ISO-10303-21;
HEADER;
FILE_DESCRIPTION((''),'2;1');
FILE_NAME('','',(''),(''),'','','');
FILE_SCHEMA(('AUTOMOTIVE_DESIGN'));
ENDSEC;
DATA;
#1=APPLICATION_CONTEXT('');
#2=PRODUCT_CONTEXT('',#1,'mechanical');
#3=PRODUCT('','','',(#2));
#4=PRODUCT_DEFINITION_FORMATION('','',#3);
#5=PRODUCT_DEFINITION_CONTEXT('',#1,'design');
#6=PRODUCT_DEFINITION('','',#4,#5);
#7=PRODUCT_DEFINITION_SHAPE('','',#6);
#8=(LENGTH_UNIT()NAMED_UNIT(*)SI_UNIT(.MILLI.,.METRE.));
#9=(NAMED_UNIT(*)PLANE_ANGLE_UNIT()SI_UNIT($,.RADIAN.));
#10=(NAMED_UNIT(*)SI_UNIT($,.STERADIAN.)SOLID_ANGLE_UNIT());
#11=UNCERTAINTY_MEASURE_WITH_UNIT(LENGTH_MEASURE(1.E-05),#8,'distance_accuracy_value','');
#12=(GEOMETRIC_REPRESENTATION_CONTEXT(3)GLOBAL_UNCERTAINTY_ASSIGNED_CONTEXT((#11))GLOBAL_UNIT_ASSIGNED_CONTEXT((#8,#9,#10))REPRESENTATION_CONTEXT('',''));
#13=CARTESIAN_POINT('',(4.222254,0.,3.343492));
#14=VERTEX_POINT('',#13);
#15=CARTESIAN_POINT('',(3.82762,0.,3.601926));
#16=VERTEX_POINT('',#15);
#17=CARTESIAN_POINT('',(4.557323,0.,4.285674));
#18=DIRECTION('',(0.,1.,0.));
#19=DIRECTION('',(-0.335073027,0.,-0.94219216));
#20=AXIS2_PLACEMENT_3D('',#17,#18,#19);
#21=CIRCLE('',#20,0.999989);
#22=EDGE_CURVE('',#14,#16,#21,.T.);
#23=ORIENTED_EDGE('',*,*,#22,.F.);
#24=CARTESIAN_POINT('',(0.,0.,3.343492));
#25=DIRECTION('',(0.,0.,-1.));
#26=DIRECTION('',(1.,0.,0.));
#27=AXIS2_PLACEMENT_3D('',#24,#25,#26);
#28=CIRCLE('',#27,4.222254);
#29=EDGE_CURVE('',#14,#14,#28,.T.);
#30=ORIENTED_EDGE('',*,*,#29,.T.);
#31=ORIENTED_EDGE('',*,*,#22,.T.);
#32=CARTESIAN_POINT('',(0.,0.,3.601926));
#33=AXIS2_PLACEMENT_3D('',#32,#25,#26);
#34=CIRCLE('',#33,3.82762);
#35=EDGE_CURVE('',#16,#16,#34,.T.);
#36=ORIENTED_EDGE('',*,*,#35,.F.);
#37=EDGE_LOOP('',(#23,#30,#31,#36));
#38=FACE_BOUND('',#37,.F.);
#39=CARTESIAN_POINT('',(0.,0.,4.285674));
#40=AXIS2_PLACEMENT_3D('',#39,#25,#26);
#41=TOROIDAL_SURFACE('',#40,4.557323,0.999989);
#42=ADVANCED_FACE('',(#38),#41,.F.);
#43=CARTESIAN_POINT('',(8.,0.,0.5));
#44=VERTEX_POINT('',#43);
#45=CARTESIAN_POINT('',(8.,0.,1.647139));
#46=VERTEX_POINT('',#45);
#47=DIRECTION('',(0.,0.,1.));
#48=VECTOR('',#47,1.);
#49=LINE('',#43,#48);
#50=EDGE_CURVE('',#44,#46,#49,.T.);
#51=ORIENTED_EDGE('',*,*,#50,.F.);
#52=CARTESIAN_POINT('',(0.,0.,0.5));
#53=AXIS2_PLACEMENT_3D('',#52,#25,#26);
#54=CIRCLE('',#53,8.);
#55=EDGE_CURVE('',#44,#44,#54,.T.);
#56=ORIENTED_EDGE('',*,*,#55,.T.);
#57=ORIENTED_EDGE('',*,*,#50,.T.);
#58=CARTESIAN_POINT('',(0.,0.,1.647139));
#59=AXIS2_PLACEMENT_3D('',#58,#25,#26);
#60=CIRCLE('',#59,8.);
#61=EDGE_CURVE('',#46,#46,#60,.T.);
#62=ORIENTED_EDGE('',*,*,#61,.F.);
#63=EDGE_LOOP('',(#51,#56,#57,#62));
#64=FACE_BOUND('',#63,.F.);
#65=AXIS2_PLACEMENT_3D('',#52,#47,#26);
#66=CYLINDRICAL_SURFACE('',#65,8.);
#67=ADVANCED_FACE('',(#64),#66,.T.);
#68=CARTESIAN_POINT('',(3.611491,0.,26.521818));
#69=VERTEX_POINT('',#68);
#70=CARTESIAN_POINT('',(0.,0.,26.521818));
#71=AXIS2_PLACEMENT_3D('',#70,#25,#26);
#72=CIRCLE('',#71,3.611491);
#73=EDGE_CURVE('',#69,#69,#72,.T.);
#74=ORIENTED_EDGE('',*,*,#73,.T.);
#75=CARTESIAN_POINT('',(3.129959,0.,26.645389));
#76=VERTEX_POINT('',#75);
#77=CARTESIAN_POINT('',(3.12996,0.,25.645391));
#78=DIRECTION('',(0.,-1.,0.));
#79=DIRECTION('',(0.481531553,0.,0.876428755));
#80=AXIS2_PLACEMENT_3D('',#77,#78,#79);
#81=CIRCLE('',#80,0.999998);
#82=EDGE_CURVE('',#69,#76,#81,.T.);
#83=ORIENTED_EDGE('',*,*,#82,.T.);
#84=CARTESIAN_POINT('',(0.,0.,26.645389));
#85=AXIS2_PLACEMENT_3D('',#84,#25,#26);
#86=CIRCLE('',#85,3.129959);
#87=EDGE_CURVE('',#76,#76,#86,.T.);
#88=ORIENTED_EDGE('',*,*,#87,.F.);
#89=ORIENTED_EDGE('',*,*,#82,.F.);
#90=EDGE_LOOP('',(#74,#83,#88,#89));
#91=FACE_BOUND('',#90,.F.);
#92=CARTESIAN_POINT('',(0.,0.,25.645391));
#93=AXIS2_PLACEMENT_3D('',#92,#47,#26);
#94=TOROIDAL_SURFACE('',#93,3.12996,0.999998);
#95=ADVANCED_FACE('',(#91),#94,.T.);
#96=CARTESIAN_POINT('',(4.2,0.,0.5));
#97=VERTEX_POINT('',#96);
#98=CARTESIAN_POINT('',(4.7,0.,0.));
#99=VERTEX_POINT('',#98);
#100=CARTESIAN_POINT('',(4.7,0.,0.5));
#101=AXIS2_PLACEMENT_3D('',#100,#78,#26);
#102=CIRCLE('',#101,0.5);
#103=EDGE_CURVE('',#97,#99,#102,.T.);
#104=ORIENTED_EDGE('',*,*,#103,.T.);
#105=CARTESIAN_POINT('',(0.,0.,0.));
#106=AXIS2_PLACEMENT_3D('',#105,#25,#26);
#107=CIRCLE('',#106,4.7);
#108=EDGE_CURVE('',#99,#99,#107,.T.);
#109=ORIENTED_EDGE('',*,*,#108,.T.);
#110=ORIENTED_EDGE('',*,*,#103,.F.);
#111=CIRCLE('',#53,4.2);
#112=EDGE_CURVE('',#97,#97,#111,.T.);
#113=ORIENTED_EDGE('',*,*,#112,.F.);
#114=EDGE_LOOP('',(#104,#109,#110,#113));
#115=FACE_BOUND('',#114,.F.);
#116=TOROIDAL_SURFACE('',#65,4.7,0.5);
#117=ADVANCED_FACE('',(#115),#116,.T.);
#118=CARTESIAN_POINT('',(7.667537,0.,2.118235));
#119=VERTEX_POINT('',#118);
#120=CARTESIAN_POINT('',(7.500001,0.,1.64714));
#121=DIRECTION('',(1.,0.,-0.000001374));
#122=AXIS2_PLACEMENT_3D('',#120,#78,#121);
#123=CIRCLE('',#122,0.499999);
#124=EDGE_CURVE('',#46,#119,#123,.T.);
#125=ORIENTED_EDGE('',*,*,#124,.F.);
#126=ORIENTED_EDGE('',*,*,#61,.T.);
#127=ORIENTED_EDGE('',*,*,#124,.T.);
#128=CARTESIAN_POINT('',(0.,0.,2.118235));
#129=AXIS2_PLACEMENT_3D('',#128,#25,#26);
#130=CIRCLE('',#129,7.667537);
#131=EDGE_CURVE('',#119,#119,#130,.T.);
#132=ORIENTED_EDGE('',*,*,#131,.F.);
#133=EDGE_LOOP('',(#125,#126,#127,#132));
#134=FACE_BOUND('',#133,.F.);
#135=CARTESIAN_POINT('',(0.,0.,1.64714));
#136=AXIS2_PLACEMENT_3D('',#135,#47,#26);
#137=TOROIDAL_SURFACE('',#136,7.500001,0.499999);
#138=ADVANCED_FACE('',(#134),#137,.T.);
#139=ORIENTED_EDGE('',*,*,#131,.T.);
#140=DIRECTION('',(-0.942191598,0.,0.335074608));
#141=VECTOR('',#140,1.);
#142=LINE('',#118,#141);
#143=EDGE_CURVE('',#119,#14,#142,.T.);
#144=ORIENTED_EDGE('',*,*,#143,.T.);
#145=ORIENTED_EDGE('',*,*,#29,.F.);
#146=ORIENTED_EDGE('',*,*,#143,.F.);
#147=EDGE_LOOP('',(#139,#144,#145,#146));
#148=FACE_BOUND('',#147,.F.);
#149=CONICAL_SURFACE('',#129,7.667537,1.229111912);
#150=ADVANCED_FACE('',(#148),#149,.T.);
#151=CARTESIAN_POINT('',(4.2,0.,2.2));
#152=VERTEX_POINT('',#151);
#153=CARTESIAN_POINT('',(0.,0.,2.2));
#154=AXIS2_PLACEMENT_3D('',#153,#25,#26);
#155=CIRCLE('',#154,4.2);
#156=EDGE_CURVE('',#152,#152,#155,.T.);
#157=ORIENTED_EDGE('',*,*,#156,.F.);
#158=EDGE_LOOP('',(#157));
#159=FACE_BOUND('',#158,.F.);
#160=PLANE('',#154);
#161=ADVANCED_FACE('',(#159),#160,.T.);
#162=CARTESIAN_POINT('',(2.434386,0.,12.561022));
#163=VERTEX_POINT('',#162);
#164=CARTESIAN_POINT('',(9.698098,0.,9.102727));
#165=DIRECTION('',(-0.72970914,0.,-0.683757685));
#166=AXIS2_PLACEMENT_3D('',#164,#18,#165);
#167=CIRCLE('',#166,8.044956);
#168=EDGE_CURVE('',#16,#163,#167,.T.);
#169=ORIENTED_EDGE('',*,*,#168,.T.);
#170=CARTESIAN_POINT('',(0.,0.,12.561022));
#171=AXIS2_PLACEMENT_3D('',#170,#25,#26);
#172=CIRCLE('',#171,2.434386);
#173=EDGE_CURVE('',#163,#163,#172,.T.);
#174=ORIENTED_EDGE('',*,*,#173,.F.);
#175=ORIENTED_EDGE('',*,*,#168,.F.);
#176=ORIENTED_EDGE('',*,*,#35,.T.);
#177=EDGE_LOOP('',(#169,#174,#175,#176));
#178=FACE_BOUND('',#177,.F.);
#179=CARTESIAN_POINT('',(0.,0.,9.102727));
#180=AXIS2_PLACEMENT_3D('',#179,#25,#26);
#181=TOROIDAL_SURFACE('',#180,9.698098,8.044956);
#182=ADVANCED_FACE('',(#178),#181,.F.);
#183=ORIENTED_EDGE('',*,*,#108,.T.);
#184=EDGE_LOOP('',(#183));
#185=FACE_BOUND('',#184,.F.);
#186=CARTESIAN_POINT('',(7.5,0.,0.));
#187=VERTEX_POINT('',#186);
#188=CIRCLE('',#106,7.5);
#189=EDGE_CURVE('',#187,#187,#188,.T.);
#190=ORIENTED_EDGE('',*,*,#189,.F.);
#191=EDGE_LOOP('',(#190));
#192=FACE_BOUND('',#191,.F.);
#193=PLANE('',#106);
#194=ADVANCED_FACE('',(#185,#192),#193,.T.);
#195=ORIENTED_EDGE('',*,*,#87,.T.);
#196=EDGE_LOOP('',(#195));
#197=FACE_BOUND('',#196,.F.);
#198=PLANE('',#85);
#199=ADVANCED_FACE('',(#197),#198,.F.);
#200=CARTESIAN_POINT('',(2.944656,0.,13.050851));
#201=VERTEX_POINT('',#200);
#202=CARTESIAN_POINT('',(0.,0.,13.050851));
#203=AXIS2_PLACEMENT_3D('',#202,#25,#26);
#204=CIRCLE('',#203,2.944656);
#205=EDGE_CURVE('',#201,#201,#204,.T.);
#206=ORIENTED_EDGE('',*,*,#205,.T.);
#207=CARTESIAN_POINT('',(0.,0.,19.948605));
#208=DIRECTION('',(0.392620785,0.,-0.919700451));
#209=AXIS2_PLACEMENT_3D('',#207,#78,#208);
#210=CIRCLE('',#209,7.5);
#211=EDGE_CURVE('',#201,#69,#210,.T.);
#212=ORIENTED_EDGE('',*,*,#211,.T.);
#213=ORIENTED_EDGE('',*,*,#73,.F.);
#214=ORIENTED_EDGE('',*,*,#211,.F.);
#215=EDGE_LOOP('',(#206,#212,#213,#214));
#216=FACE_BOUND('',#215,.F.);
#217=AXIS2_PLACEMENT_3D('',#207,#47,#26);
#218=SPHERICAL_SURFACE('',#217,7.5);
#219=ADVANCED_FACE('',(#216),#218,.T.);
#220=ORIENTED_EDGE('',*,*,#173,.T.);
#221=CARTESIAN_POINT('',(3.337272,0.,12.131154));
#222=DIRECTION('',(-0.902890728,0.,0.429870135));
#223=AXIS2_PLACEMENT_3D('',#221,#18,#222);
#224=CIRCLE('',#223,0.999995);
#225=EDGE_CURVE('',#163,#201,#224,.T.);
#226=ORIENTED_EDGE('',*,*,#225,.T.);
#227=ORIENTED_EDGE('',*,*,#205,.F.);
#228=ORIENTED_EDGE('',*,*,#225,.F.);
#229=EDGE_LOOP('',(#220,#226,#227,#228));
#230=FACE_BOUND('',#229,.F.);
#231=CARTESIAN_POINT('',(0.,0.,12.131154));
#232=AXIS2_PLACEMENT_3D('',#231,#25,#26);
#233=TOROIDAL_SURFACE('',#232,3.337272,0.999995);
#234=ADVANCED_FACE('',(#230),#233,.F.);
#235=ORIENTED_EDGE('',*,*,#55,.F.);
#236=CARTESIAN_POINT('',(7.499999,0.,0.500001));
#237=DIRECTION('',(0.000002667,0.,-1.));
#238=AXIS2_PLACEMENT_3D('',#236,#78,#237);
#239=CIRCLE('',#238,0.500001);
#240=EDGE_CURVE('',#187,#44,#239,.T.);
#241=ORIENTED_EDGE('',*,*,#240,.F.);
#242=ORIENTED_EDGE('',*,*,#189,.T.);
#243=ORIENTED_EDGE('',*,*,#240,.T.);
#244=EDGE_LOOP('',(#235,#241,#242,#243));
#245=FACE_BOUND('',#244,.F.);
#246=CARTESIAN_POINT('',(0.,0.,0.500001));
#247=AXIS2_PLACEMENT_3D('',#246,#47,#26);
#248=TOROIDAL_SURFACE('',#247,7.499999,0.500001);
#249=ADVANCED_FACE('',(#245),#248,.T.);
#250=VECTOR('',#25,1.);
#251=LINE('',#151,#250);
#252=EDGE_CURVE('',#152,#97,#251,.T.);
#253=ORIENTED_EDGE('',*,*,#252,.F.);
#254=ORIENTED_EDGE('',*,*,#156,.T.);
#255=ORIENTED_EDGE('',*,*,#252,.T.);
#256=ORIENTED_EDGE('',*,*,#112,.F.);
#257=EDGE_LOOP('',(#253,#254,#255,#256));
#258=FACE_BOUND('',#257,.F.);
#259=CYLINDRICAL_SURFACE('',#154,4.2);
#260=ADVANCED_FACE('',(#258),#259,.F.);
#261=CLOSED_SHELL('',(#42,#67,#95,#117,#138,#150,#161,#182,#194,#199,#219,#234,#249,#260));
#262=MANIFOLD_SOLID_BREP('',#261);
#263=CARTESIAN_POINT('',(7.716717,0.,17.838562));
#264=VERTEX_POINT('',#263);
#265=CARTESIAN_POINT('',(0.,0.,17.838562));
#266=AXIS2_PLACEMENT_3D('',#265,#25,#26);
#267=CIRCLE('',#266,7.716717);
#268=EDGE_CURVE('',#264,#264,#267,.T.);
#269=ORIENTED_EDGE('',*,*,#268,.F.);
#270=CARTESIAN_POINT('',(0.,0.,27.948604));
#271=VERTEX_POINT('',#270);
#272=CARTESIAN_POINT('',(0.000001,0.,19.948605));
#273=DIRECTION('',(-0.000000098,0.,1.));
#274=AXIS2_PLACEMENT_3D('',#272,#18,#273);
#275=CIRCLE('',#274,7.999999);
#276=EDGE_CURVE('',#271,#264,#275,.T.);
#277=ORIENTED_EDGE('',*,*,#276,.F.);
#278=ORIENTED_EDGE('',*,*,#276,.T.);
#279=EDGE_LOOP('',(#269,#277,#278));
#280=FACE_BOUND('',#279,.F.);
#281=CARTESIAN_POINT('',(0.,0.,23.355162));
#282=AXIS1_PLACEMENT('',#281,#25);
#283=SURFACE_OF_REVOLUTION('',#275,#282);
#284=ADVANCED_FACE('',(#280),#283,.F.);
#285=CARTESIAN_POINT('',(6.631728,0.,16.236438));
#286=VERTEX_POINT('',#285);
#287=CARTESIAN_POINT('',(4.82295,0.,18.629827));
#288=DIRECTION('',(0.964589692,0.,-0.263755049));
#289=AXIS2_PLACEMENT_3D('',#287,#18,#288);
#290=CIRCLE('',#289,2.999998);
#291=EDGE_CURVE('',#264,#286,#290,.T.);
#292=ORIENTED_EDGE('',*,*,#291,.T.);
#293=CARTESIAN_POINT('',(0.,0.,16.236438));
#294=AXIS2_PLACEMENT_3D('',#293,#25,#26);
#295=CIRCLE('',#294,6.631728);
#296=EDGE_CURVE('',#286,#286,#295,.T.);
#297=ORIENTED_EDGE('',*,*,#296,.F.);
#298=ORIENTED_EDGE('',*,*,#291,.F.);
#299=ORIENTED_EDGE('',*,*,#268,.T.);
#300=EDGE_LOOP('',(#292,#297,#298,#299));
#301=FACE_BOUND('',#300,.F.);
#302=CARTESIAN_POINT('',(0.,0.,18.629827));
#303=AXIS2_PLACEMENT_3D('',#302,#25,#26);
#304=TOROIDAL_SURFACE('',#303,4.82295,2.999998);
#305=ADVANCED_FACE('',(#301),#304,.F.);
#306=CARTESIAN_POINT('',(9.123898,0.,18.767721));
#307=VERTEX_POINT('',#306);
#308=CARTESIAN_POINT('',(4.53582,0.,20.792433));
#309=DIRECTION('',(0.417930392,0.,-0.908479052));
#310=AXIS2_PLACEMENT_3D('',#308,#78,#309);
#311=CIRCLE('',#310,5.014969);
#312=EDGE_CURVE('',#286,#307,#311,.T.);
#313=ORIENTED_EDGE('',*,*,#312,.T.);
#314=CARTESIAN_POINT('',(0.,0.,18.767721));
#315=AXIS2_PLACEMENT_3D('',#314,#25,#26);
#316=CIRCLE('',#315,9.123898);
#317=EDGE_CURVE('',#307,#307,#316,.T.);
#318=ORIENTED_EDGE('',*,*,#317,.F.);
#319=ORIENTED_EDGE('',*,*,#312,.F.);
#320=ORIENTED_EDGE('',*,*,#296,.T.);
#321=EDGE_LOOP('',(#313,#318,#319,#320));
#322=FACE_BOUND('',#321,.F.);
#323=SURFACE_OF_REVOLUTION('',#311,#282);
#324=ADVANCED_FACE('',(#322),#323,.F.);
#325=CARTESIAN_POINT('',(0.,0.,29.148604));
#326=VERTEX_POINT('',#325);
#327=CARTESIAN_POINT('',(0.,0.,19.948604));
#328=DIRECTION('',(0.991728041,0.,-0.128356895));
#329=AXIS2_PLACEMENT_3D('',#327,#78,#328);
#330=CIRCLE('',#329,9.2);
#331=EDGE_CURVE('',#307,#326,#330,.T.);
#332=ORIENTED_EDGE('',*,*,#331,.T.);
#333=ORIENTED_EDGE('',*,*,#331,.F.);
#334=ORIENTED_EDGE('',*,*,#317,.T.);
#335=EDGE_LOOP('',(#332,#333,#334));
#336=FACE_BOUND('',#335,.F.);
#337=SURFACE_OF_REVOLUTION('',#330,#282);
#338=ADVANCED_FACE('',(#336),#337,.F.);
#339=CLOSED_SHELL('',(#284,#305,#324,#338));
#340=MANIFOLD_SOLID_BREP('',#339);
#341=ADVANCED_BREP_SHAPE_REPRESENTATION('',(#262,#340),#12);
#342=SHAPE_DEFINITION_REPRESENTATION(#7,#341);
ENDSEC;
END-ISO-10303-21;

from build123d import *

# Parameters (mm, degrees)
F2_R = 0.5


with BuildPart() as f1:
    # F0 (on Front) → F1 (revolve)
    with BuildSketch(Plane.XZ):
        with BuildLine():
            ThreePointArc((2.434386, 12.561022), (2.644766, 12.852559), (2.944656, 13.050851))
            ThreePointArc((2.944656, 13.050851), (7.490828, 19.577796), (3.611491, 26.521818))
            ThreePointArc((3.611491, 26.521818), (3.378526, 26.614004), (3.129959, 26.645389))
            Line((3.129959, 26.645389), (0, 26.645389))
            Line((0, 26.645389), (0, 2.2))
            Line((0, 2.2), (4.2, 2.2))
            Line((4.2, 2.2), (4.2, 0))
            Line((4.2, 0), (7.5, 0))
            ThreePointArc((7.5, 0), (7.853553, 0.146447), (8, 0.5))
            Line((8, 0.5), (8, 1.647139))
            ThreePointArc((8, 1.647139), (7.908515, 1.935437), (7.667537, 2.118235))
            Line((7.667537, 2.118235), (4.222254, 3.343492))
            ThreePointArc((4.222254, 3.343492), (4.00948, 3.449106), (3.82762, 3.601926))
            ThreePointArc((3.82762, 3.601926), (1.74869, 7.86651), (2.434386, 12.561022))
        make_face()
        with BuildLine():
            Line((0, 29.148604), (0, 27.948604))
            ThreePointArc((0, 27.948604), (6.359259, 24.802451), (7.716717, 17.838562))
            ThreePointArc((7.716717, 17.838562), (7.306935, 16.947624), (6.631728, 16.236438))
            ThreePointArc((6.631728, 16.236438), (8.109441, 17.274031), (9.123898, 18.767721))
            ThreePointArc((9.123898, 18.767721), (6.910287, 26.022148), (0, 29.148604))
        make_face()
    revolve(axis=Axis((0, 0, 23.355162), (0, 0, -1)))

    # F2
    f2_edges = [f1.edges().sort_by_distance(p)[0] for p in [
        (-4.2, 0, 0),
    ]]
    fillet(f2_edges, radius=F2_R)


solid = f1.part
